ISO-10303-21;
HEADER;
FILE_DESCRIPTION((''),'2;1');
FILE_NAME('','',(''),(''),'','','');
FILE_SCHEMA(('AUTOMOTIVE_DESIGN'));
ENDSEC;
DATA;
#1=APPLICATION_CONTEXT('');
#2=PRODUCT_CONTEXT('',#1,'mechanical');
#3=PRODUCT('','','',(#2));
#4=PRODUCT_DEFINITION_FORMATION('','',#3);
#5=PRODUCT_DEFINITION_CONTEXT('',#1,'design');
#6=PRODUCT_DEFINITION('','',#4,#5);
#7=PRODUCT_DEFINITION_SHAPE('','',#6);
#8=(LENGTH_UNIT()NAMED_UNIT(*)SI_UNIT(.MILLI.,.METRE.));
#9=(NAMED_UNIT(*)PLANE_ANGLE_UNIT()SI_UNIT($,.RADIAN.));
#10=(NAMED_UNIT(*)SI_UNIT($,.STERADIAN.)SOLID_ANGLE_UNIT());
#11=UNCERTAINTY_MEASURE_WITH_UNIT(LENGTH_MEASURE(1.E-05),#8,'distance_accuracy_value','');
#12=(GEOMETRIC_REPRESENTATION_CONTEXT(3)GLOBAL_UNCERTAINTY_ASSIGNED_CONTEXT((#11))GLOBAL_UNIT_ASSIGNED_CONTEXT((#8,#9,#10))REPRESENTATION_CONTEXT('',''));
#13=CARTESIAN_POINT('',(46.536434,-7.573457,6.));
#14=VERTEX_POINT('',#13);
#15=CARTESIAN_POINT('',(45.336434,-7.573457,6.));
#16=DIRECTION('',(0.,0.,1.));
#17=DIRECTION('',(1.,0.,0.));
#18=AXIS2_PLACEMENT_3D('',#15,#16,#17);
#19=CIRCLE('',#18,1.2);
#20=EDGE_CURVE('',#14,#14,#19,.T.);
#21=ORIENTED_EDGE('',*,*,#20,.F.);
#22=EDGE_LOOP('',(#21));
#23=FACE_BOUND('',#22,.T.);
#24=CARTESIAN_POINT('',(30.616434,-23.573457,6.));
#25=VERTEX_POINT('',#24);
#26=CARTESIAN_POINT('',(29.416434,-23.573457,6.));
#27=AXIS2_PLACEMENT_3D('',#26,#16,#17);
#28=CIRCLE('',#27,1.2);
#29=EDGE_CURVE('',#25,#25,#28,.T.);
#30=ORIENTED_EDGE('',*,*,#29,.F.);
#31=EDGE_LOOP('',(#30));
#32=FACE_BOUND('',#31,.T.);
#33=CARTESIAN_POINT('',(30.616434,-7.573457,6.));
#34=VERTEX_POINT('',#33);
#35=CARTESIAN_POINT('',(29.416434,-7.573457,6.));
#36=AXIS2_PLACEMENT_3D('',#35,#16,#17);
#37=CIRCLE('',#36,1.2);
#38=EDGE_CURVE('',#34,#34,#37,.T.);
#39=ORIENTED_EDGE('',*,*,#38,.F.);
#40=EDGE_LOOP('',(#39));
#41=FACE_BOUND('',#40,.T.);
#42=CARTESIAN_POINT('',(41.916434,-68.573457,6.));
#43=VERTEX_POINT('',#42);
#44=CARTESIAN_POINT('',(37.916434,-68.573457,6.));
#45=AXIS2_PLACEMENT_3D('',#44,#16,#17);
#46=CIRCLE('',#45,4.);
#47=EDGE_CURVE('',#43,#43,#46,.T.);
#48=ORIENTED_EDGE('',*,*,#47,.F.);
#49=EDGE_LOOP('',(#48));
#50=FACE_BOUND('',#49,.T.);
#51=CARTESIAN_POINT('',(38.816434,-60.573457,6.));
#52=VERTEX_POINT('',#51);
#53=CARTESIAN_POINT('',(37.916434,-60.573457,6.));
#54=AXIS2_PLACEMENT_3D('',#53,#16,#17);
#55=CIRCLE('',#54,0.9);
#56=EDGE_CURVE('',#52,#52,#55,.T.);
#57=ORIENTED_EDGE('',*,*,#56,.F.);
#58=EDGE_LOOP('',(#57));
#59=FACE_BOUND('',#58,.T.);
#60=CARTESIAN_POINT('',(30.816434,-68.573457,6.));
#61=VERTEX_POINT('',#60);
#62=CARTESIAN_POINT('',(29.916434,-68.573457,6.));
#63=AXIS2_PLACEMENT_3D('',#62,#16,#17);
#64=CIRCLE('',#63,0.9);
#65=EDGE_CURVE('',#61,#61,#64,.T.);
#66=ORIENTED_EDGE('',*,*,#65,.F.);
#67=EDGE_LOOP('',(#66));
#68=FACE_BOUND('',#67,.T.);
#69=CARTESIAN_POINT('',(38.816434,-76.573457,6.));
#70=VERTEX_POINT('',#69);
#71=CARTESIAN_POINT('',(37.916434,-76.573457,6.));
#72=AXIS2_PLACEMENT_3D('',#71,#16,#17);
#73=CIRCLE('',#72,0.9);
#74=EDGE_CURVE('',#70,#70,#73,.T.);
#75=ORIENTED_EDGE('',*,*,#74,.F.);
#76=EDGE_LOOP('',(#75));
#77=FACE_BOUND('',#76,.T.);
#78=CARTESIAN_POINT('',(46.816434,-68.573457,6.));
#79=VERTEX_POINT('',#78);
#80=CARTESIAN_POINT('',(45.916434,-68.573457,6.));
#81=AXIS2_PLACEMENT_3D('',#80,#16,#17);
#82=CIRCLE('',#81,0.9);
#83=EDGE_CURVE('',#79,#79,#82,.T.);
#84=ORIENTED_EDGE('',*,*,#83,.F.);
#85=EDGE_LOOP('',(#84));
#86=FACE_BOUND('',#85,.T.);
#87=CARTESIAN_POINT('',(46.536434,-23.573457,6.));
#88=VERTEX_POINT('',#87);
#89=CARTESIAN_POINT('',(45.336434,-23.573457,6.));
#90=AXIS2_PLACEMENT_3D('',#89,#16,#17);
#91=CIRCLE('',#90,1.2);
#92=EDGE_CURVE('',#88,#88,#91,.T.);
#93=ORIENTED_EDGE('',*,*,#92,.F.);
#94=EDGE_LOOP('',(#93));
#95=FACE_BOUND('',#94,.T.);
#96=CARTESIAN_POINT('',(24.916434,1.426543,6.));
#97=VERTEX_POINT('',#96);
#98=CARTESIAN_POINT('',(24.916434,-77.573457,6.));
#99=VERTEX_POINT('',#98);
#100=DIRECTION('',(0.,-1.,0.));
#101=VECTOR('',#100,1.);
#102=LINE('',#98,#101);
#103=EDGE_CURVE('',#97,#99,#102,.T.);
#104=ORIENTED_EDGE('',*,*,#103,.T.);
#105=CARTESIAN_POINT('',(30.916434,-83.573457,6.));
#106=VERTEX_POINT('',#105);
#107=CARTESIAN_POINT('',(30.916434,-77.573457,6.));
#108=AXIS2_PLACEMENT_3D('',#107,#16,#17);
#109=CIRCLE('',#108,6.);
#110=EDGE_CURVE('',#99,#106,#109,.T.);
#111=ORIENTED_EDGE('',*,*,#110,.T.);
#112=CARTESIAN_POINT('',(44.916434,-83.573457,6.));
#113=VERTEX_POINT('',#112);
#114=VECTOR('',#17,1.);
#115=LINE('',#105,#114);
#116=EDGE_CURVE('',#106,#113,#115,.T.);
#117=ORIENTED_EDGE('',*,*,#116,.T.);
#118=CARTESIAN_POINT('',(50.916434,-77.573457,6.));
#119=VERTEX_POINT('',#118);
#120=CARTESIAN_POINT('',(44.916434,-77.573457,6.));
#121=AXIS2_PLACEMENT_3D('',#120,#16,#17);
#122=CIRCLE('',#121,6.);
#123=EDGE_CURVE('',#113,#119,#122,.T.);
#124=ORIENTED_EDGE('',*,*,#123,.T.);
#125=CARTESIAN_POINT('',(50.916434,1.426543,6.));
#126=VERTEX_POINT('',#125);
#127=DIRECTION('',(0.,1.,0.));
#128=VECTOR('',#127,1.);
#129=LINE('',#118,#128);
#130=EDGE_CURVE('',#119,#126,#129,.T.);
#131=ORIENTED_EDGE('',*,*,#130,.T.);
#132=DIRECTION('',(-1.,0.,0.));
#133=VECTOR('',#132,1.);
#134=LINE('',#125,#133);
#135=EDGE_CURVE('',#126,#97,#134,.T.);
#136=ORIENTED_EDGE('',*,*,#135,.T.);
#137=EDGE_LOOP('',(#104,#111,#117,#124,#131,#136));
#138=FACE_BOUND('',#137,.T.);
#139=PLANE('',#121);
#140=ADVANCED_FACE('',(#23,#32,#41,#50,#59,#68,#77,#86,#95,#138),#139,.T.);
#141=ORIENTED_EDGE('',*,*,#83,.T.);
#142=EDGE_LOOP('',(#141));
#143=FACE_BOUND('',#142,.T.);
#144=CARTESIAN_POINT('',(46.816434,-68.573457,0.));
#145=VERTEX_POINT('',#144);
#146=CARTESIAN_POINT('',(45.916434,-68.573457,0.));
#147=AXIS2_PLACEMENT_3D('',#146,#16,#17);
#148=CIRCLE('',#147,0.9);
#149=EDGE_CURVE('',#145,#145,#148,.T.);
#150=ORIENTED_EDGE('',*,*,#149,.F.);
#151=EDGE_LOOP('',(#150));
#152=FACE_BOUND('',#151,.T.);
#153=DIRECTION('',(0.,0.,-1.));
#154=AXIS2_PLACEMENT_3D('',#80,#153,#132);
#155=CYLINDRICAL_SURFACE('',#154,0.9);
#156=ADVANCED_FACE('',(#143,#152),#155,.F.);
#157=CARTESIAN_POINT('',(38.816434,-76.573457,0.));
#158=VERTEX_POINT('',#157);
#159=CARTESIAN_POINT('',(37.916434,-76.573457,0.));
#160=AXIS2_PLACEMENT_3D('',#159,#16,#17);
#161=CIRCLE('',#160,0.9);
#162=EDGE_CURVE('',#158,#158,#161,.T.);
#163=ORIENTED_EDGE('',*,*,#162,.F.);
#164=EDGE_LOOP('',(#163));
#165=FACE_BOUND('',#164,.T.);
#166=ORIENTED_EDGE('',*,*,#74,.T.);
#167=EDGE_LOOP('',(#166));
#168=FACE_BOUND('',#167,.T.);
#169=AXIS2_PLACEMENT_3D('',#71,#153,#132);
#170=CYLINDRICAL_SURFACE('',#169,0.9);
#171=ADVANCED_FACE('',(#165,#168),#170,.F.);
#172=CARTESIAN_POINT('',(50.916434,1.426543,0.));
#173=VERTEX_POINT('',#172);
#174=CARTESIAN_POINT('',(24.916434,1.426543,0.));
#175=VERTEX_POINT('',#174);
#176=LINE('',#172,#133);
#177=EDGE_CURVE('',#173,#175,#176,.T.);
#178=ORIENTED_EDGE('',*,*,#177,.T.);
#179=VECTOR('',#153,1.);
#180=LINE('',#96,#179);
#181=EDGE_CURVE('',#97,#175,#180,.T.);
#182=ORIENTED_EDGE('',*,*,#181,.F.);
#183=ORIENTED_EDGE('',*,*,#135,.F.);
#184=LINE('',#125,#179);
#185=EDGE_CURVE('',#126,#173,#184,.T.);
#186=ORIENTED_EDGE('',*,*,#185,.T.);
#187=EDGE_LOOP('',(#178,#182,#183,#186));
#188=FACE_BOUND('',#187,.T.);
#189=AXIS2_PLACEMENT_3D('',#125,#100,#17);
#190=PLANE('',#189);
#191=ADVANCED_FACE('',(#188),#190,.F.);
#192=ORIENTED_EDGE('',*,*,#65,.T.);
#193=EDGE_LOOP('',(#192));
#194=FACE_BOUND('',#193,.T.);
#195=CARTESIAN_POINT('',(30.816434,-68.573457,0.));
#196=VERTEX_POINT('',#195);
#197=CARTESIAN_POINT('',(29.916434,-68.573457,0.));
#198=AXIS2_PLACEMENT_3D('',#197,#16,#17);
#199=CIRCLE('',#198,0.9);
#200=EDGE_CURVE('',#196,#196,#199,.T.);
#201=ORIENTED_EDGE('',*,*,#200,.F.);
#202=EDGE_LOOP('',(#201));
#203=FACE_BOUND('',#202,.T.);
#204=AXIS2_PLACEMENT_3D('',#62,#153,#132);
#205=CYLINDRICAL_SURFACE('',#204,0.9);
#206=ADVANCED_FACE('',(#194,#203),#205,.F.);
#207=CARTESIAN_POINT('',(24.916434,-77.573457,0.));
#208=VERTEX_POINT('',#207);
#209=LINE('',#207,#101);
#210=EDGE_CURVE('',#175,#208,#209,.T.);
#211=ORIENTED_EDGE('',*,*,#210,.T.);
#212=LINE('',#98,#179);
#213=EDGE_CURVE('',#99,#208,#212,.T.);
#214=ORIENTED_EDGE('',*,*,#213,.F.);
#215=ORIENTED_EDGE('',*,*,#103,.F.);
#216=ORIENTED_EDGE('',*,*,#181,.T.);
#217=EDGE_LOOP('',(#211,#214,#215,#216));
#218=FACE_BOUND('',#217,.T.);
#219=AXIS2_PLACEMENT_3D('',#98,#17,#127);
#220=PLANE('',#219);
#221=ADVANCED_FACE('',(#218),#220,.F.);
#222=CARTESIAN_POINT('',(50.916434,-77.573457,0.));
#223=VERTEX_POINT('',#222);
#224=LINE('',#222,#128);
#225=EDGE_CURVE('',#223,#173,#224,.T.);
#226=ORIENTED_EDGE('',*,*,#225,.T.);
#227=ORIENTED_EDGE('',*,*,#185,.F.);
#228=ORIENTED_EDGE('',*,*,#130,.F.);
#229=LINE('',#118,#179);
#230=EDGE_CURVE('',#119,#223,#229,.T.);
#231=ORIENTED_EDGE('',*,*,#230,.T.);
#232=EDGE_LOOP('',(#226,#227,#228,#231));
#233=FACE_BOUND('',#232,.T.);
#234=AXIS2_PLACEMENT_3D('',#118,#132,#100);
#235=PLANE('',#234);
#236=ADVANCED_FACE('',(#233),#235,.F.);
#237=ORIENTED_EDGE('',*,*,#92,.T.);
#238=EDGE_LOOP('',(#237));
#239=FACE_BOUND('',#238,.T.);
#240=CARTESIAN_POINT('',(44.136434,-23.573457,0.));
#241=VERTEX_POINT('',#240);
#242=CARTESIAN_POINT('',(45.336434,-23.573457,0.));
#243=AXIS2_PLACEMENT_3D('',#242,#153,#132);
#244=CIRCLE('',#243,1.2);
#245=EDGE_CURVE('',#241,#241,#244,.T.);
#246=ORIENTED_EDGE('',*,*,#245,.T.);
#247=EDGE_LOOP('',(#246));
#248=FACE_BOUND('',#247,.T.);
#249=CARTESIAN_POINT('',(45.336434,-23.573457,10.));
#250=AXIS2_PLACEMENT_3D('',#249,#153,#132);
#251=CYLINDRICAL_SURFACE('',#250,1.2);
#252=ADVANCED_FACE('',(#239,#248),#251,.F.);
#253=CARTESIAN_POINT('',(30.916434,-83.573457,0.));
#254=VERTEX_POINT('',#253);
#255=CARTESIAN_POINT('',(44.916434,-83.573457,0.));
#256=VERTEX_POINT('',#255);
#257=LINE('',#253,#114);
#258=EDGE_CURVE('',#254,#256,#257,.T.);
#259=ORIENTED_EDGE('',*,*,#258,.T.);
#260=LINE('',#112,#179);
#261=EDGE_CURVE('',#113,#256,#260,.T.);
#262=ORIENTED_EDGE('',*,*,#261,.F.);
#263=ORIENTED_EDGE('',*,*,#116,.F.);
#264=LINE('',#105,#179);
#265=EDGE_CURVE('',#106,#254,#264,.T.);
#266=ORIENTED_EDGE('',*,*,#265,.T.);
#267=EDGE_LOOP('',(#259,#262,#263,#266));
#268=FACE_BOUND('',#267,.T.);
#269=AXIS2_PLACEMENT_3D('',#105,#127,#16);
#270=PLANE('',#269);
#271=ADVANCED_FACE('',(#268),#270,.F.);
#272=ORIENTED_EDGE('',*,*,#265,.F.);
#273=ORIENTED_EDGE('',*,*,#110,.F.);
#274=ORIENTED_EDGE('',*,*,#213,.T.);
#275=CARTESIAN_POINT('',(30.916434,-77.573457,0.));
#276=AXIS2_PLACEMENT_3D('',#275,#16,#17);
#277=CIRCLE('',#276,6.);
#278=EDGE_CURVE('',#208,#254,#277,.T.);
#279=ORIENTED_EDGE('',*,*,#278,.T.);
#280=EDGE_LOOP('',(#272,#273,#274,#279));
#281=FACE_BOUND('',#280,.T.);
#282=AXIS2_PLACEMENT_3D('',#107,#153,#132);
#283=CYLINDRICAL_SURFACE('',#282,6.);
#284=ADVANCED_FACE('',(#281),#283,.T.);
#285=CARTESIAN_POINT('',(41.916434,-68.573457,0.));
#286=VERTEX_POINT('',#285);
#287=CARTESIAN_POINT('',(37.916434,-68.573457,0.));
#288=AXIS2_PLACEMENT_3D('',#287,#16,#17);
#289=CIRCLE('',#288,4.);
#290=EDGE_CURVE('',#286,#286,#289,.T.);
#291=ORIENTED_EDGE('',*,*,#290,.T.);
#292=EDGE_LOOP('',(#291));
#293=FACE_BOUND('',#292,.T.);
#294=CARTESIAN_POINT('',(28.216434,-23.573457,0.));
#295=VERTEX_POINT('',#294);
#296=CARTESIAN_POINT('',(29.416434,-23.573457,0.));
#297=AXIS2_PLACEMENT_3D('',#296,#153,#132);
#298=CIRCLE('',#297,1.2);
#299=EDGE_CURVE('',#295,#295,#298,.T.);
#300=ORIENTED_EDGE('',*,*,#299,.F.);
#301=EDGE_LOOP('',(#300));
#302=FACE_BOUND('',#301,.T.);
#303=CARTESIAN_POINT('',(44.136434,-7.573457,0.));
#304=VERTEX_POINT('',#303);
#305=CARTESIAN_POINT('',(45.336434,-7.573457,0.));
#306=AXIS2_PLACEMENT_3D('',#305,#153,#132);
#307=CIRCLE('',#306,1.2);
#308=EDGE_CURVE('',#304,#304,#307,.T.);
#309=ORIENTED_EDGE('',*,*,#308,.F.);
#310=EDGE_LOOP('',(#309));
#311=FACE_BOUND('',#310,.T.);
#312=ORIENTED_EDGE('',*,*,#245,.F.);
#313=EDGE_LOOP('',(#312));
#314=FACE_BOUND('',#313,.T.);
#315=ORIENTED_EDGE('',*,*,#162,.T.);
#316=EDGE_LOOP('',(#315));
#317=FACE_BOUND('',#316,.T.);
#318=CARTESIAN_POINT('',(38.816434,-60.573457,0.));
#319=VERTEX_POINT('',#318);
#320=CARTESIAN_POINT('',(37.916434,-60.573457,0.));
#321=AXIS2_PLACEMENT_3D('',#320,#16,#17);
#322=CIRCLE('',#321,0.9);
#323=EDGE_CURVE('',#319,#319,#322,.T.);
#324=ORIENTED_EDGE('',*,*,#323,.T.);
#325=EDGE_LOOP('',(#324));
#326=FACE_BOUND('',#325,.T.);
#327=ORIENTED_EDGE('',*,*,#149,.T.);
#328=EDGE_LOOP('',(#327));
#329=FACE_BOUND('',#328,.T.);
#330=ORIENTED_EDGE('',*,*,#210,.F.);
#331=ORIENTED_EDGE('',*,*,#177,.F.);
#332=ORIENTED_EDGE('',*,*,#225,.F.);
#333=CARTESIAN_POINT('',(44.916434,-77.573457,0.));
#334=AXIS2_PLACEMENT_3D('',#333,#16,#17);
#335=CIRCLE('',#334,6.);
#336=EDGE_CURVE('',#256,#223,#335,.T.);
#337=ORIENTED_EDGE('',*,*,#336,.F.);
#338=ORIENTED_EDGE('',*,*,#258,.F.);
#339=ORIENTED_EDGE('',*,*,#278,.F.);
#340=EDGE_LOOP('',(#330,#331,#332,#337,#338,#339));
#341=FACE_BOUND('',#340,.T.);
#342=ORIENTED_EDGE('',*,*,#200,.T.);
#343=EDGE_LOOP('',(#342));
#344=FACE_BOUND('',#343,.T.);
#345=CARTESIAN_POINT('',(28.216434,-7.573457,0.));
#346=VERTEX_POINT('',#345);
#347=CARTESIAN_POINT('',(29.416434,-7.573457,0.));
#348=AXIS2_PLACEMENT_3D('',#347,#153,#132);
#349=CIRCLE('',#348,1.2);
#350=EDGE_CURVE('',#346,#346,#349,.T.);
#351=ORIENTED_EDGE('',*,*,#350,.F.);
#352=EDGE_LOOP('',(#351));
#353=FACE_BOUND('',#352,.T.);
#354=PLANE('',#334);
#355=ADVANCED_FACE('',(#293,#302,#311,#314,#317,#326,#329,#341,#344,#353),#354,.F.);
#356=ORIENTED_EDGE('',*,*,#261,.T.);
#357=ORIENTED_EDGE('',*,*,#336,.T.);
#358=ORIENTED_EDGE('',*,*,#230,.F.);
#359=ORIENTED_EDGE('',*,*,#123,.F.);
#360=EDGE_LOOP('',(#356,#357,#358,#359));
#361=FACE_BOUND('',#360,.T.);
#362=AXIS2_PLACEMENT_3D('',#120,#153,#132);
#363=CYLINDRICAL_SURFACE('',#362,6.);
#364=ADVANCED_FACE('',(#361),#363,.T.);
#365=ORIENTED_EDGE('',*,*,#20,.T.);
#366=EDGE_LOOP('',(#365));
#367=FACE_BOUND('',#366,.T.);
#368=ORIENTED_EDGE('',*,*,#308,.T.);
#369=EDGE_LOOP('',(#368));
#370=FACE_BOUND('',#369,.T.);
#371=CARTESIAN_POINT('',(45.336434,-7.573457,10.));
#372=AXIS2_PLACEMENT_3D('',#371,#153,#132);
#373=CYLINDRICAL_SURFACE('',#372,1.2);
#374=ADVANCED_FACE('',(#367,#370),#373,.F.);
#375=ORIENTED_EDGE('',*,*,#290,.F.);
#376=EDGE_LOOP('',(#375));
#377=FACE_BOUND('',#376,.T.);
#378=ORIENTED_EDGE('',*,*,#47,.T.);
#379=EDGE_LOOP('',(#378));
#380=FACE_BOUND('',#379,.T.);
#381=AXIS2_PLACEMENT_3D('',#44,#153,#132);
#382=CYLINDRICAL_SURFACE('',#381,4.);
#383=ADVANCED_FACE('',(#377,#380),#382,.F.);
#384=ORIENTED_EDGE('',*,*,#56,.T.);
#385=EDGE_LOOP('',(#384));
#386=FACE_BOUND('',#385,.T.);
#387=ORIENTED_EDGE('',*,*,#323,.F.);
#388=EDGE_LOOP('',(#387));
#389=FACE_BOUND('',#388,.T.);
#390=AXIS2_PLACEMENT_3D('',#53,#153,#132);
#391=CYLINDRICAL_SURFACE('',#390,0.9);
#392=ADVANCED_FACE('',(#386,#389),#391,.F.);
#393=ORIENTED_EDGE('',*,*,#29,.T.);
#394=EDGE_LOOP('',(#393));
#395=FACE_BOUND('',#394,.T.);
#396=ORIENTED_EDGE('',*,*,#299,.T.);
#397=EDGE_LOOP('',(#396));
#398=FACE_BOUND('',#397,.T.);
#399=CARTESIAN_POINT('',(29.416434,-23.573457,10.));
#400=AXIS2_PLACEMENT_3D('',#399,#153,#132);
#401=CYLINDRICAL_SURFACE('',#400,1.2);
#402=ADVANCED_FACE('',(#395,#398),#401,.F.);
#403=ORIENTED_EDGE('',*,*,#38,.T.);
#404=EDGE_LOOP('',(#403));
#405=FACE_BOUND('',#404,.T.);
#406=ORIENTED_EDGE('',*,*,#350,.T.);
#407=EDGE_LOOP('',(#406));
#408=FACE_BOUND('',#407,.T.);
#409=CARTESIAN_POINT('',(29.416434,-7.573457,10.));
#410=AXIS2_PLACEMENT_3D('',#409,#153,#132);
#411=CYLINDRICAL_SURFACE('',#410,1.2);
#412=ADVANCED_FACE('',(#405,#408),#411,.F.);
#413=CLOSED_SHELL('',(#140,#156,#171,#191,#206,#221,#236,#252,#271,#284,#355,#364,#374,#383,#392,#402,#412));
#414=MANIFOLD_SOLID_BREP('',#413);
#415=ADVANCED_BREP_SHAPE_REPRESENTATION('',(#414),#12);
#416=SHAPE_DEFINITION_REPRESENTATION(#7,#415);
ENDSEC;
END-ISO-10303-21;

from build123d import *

# Parameters (mm, degrees)
ESQUISSE1_R             = 0.9
ESQUISSE1_R_2           = 4
BOSS_EXTRU_1_DEPTH      = 6
ESQUISSE2_R             = 1.2
ENL_V_MAT_EXTRU_1_DEPTH = 10


with BuildPart() as part:
    # Esquisse1 → Boss.-Extru.1 (new body)
    with BuildSketch(Plane.XY):
        with BuildLine():
            Line((24.916434397, -77.573457495), (24.916434397, 1.426542505))
            Line((24.916434397, 1.426542505), (50.916434397, 1.426542505))
            Line((50.916434397, 1.426542505), (50.916434397, -77.573457495))
            ThreePointArc((50.916434397, -77.573457495), (49.159075085, -81.816098182), (44.916434397, -83.573457495))
            Line((44.916434397, -83.573457495), (30.916434397, -83.573457495))
            ThreePointArc((30.916434397, -83.573457495), (26.67379371, -81.816098182), (24.916434397, -77.573457495))
        make_face()
        with Locations((29.916434397, -68.573457495)):
            Circle(ESQUISSE1_R, mode=Mode.SUBTRACT)
        with Locations((37.916434397, -60.573457495)):
            Circle(ESQUISSE1_R, mode=Mode.SUBTRACT)
        with Locations((45.916434397, -68.573457495)):
            Circle(ESQUISSE1_R, mode=Mode.SUBTRACT)
        with Locations((37.916434397, -76.573457495)):
            Circle(ESQUISSE1_R, mode=Mode.SUBTRACT)
        with Locations((37.916434397, -68.573457495)):
            Circle(ESQUISSE1_R_2, mode=Mode.SUBTRACT)
    extrude(amount=BOSS_EXTRU_1_DEPTH)

    # Esquisse2 → Enlèv. mat.-Extru.1 (cut)
    with BuildSketch(Plane(origin=(0, 0, 0), x_dir=(-1, 0, 0), z_dir=(0, 0, -1))):
        with Locations((-45.336434397, -7.573457495)):
            Circle(ESQUISSE2_R)
        with Locations((-29.416434397, -7.573457495)):
            Circle(ESQUISSE2_R)
        with Locations((-45.336434397, -23.573457495)):
            Circle(ESQUISSE2_R)
        with Locations((-29.416434397, -23.573457495)):
            Circle(ESQUISSE2_R)
    extrude(amount=-ENL_V_MAT_EXTRU_1_DEPTH, mode=Mode.SUBTRACT)


solid = part.part
